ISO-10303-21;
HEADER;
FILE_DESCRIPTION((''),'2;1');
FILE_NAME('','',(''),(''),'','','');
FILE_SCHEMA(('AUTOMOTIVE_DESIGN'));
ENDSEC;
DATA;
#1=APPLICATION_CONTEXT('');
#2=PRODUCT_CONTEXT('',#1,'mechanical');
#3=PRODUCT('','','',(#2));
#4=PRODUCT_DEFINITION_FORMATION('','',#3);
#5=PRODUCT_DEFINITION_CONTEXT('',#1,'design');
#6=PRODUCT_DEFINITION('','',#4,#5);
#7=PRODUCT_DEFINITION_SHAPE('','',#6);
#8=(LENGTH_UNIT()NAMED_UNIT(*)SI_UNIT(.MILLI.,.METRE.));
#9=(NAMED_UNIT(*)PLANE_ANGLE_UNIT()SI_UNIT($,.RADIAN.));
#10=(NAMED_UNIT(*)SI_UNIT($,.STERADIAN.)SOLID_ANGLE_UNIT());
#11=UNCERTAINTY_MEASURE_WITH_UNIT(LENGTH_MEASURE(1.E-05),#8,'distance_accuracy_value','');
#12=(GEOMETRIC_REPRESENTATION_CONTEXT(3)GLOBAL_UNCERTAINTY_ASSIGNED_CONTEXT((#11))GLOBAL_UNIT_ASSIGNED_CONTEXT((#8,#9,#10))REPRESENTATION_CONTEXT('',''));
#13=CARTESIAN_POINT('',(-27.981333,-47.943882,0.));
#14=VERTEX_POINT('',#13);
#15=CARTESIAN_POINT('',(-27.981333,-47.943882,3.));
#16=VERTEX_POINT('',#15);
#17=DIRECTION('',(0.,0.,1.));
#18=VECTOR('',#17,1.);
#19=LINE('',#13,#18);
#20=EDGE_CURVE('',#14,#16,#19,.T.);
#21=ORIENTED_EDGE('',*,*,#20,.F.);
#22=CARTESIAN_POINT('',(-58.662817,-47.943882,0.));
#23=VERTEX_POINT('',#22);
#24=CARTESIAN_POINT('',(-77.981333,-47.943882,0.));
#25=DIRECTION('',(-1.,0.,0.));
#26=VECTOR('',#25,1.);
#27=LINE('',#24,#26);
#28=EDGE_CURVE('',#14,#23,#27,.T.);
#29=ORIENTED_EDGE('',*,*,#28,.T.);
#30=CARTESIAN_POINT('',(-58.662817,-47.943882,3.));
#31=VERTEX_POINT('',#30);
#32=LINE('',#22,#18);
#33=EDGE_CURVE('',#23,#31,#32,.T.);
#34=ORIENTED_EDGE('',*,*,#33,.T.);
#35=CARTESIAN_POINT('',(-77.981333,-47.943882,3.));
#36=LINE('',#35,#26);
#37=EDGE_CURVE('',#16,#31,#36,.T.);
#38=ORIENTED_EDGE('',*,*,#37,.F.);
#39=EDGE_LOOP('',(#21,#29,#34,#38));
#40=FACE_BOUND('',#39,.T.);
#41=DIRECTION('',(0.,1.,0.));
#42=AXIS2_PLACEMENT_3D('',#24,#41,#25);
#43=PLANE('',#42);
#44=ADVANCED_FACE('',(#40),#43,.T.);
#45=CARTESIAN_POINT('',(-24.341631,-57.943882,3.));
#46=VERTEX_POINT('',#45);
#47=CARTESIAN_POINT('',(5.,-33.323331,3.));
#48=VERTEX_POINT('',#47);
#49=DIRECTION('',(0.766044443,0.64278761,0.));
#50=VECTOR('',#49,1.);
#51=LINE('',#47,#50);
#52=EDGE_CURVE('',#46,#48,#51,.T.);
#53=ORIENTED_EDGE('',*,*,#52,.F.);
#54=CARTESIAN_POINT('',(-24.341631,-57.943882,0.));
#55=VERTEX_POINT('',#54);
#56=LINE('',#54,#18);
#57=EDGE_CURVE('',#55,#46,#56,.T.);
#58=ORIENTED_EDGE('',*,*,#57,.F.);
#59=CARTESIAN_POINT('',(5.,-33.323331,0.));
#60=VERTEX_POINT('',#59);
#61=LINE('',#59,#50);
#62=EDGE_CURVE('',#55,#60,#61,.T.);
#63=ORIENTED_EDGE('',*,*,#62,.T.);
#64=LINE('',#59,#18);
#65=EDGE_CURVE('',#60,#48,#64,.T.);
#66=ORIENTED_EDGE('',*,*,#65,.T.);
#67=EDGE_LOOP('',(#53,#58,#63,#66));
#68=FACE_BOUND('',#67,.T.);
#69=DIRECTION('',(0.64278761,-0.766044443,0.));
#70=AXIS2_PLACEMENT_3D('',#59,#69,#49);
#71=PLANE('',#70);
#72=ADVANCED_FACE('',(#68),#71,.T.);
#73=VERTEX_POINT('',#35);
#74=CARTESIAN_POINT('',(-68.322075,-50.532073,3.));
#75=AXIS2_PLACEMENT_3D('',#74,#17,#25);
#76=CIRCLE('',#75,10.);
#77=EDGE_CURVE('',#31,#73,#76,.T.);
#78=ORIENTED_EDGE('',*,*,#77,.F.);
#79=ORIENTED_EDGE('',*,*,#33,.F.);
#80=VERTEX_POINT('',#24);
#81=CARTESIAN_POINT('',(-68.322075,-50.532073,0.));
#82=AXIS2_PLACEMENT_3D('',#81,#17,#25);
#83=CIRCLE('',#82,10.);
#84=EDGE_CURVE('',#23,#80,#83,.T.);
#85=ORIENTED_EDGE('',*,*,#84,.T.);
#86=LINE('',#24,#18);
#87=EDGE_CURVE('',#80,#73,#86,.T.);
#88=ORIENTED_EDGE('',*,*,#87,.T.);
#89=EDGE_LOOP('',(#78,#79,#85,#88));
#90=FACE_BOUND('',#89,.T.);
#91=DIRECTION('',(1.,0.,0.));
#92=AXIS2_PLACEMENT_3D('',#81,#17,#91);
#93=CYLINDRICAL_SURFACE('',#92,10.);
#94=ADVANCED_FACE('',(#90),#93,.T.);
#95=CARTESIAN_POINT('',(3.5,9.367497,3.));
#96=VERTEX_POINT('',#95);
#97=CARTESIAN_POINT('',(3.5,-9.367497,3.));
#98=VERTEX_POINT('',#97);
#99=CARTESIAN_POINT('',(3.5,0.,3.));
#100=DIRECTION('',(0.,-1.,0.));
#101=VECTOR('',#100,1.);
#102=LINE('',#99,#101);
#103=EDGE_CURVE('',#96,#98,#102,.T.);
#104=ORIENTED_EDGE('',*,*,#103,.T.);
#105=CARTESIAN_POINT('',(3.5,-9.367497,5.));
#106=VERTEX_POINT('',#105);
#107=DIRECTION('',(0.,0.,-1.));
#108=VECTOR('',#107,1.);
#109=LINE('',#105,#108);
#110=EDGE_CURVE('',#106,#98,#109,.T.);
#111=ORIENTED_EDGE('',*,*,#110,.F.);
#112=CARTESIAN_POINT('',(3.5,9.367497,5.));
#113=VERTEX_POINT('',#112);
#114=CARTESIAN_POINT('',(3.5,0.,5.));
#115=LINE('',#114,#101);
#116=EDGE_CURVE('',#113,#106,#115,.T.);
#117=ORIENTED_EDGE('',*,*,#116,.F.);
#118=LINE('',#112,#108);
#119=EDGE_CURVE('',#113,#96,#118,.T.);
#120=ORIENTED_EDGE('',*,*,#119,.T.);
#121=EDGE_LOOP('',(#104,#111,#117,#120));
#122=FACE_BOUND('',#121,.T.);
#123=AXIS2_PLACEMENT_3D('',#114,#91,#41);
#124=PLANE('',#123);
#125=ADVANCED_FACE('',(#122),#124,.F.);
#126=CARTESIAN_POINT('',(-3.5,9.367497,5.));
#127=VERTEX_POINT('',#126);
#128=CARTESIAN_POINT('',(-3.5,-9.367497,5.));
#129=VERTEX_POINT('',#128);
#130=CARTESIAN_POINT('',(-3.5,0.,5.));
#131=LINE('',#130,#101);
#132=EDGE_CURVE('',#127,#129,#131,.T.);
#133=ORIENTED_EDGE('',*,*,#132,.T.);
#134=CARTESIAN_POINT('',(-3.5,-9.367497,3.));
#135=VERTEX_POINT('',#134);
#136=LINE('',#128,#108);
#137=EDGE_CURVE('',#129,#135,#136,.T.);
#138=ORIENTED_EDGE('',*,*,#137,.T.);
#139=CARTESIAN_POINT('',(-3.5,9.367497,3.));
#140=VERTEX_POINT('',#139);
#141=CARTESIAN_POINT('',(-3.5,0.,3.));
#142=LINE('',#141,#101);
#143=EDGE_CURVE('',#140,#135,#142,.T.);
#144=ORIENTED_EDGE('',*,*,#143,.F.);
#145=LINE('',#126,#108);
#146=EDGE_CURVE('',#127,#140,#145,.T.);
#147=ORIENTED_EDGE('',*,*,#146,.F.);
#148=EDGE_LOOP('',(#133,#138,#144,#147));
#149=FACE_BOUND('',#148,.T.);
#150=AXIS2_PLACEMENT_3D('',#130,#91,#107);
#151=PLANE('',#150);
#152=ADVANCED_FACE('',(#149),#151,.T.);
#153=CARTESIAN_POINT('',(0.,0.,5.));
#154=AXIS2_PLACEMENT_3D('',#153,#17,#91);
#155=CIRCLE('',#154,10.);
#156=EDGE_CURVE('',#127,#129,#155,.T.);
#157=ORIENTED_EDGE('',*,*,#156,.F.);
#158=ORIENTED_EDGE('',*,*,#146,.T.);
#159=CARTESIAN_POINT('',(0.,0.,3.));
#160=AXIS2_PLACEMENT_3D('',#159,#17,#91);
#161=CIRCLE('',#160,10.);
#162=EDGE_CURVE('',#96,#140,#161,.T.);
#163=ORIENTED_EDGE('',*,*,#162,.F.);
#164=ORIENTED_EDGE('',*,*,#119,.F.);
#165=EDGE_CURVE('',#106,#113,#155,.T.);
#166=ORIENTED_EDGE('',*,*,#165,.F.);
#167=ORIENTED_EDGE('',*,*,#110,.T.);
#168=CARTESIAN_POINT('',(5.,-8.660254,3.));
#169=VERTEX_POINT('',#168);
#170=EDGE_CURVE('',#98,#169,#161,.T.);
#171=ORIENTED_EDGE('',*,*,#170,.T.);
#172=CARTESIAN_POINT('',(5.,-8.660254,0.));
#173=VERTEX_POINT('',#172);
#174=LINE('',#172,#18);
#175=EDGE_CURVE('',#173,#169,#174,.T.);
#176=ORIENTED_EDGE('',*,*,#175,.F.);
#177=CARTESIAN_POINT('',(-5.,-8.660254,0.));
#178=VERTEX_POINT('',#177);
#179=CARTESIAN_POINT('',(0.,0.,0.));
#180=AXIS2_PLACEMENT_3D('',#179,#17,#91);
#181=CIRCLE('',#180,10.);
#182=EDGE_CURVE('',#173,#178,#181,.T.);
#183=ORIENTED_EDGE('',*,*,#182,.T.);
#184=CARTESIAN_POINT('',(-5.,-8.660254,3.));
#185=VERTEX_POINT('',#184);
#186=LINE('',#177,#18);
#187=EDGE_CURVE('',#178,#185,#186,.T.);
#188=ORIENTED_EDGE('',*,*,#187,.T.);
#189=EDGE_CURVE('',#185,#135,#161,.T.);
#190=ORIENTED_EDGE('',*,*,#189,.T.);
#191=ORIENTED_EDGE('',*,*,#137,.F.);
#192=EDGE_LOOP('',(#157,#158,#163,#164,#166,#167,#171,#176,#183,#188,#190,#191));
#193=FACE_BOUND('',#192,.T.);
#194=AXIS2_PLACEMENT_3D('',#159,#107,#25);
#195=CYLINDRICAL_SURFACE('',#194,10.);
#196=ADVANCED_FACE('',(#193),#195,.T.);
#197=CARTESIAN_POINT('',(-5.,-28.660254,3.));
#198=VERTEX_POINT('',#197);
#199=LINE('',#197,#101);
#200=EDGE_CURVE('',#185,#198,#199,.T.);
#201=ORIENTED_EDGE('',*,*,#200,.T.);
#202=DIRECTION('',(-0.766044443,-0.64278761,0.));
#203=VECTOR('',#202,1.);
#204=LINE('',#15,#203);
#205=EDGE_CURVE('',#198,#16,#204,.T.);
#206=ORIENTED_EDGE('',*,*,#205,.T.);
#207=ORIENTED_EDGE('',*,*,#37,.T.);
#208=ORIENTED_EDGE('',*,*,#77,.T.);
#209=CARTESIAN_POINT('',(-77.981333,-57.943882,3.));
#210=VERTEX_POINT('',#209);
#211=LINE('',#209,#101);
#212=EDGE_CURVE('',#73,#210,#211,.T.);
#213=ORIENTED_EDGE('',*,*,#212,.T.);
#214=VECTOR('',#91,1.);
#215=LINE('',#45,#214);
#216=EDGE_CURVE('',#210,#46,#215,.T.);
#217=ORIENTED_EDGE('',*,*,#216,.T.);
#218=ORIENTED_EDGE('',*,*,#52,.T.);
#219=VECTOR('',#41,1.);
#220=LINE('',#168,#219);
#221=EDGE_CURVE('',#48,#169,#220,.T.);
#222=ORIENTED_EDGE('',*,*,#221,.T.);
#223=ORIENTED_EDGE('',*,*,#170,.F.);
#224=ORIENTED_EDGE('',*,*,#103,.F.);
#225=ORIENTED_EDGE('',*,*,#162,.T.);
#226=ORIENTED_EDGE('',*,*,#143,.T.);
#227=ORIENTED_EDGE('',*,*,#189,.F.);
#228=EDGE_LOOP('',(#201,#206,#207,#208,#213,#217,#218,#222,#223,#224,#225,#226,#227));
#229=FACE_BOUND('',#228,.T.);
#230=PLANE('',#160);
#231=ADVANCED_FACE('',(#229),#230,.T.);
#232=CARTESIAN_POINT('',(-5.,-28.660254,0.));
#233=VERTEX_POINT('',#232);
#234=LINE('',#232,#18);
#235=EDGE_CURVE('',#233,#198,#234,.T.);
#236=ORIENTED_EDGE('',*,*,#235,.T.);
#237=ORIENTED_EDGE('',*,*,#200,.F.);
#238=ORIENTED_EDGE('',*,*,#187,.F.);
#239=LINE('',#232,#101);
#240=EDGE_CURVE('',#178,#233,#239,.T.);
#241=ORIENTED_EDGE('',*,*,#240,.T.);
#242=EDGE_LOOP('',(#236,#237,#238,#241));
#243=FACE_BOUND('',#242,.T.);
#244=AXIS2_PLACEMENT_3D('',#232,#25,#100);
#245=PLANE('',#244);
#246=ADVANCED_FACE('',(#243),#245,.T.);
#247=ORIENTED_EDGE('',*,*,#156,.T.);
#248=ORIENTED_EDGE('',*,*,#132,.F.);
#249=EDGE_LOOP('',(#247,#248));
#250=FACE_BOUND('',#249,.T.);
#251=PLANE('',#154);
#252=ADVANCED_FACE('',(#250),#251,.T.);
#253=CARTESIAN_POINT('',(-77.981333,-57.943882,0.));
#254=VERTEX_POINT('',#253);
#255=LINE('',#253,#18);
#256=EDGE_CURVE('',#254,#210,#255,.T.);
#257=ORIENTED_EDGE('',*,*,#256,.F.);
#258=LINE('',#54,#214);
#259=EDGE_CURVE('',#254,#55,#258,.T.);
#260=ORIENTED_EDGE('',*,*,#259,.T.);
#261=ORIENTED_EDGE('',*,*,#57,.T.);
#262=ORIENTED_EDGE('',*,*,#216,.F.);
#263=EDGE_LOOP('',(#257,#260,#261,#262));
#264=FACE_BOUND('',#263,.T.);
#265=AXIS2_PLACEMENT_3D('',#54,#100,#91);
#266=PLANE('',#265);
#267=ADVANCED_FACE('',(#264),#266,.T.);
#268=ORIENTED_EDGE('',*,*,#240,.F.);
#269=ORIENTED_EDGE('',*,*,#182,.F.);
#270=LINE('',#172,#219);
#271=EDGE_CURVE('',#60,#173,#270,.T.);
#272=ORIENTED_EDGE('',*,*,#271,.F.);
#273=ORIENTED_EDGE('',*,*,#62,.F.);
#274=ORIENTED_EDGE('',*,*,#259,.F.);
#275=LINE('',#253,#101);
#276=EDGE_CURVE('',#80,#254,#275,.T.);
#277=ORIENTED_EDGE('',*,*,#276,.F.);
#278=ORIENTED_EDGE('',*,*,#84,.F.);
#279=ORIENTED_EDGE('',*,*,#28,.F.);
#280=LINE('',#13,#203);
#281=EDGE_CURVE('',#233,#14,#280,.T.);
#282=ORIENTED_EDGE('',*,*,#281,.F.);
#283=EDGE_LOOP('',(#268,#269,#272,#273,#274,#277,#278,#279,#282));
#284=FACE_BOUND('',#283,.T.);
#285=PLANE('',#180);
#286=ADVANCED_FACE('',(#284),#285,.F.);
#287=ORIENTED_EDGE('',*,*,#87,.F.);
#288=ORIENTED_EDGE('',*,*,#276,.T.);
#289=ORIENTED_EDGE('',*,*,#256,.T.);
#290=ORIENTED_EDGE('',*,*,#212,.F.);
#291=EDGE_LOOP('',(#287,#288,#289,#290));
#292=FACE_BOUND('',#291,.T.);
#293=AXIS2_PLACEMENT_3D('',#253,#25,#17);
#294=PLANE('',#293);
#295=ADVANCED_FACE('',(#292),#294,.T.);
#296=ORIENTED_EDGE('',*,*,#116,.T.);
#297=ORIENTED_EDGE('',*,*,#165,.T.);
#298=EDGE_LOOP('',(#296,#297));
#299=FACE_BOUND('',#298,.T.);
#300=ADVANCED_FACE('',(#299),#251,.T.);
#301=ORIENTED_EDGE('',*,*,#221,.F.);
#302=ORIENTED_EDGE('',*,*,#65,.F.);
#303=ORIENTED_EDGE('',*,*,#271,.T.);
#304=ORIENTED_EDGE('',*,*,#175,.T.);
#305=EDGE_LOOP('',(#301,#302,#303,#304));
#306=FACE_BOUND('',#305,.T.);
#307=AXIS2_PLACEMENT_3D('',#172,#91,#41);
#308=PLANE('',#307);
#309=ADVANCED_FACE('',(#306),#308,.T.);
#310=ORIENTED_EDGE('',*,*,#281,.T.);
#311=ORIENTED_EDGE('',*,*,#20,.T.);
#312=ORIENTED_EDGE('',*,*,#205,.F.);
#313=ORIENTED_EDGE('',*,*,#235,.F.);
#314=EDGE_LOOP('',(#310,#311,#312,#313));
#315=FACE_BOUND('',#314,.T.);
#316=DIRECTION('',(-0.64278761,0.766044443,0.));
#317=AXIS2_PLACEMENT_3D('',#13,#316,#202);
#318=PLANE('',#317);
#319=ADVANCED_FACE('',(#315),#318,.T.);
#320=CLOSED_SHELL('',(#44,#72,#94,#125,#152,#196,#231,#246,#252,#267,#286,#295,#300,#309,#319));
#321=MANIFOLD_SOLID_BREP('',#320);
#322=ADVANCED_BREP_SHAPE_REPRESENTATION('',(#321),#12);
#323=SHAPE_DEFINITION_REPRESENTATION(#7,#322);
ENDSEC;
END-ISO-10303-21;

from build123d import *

# Parameters (mm, degrees)
SKETCH2_R           = 10
BOSS_EXTRUDE1_DEPTH = 3
BOSS_EXTRUDE2_DEPTH = 3
BOSS_EXTRUDE3_DEPTH = 3
BOSS_EXTRUDE7_DEPTH = 2


with BuildPart() as part:
    # Sketch2 → Boss-Extrude1 (new body)
    with BuildSketch(Plane.XY):
        Circle(SKETCH2_R)
    extrude(amount=BOSS_EXTRUDE1_DEPTH)

    # Sketch3 → Boss-Extrude2 (add)
    with BuildSketch(Plane.XY.offset(3)):
        Polygon((-5, -8.660254038), (5, -8.660254038), (5, -33.323330619), (-24.341630951, -57.943882328), (-77.981333294, -57.943882328), (-77.981333294, -47.943882328), (-27.981333294, -47.943882328), (-5, -28.660254038), align=None)
    extrude(amount=-BOSS_EXTRUDE2_DEPTH)

    # Sketch4 → Boss-Extrude3 (add)
    with BuildSketch(Plane.XY.offset(3)):
        with BuildLine():
            Line((-77.981333294, -47.943882328), (-58.662816768, -47.943882328))
            ThreePointArc((-58.662816768, -47.943882328), (-68.322075031, -40.532072779), (-77.981333294, -47.943882328))
        make_face()
    extrude(amount=-BOSS_EXTRUDE3_DEPTH)

    # Sketch5 → Boss-Extrude7 (add)
    with BuildSketch(Plane.XY.offset(3)):
        with BuildLine():
            Line((-3.5, -9.367496998), (-3.5, 9.367496998))
            ThreePointArc((-3.5, 9.367496998), (-9.965563298, 0.829185233), (-5, -8.660254038))
            ThreePointArc((-5, -8.660254038), (-4.264686173, -9.045023596), (-3.5, -9.367496998))
        make_face()
        with BuildLine():
            ThreePointArc((5, -8.660254038), (9.965563298, 0.829185233), (3.5, 9.367496998))
            Line((3.5, 9.367496998), (3.5, -9.367496998))
            ThreePointArc((3.5, -9.367496998), (4.264686173, -9.045023596), (5, -8.660254038))
        make_face()
    extrude(amount=BOSS_EXTRUDE7_DEPTH)


solid = part.part
